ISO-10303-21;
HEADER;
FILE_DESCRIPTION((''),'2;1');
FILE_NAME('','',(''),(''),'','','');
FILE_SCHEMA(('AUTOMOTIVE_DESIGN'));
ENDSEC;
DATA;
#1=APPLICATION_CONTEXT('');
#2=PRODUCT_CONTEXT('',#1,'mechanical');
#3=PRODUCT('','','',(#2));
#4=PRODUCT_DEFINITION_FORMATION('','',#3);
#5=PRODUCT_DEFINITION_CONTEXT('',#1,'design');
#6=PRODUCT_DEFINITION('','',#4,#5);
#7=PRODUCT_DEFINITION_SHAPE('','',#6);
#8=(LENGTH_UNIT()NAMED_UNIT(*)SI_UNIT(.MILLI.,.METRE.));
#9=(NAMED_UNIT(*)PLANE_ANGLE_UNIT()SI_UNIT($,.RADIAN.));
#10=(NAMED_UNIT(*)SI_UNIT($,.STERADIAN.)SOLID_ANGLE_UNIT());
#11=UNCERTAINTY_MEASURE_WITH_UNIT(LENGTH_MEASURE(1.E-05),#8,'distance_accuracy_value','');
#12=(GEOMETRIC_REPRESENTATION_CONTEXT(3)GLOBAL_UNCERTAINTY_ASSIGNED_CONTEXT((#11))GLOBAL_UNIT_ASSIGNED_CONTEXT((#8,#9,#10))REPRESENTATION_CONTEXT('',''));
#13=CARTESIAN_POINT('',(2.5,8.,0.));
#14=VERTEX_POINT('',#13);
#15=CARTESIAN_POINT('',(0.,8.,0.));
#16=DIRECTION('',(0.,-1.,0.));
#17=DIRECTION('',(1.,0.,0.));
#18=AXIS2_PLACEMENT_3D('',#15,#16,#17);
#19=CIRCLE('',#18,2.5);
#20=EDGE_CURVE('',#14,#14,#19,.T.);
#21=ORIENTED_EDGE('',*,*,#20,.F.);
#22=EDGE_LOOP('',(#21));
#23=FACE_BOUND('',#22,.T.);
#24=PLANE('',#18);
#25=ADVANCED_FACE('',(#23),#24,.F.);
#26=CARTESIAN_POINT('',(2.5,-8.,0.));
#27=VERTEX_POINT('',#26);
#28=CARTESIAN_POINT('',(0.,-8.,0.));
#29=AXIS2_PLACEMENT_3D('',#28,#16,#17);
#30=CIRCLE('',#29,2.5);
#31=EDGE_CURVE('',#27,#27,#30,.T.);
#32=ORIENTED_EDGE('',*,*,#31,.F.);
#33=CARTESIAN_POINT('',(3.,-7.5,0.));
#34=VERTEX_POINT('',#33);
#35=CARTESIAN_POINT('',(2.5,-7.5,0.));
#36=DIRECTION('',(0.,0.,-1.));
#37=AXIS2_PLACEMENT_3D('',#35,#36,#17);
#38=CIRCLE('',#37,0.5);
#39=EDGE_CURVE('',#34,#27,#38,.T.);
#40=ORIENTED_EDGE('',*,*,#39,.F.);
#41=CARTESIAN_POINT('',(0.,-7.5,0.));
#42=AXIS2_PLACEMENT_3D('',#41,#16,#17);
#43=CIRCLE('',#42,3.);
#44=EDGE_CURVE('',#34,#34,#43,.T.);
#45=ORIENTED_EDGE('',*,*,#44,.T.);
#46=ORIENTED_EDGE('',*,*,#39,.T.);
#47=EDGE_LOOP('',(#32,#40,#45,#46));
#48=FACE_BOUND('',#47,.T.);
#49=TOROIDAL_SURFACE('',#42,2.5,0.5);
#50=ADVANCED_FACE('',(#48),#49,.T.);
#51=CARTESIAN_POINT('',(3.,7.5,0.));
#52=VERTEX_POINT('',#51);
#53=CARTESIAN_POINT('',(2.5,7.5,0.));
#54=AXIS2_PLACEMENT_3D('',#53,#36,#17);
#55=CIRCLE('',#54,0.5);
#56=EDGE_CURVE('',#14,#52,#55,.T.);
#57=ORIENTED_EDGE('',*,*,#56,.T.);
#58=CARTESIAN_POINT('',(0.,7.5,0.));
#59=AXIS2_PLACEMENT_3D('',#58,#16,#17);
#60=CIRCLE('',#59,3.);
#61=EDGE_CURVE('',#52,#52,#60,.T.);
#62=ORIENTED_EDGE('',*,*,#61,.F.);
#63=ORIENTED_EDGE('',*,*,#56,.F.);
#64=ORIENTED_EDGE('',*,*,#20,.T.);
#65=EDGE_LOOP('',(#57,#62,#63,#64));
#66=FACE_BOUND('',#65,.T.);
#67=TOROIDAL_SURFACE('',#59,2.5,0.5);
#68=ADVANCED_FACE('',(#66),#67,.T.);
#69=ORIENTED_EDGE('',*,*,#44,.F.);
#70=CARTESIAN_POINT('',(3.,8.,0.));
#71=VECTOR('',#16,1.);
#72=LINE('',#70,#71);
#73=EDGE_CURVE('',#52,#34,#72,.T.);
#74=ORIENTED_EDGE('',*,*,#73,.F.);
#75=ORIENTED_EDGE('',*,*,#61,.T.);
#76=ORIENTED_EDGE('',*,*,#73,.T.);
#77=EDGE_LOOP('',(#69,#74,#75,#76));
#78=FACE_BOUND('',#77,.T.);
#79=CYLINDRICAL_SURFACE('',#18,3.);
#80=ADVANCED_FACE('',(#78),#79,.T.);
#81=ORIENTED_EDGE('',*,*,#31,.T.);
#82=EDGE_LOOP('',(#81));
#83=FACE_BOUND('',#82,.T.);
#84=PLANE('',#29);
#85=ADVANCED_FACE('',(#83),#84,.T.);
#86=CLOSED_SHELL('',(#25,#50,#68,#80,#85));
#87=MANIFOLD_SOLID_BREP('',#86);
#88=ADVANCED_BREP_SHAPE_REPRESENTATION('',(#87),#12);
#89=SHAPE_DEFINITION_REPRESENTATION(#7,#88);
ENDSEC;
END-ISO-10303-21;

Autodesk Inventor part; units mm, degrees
ref_plane "YZ Plane" through (0, 0, 0) normal (1, 0, 0) x (0, 1, 0)
ref_plane "XZ Plane" through (0, 0, 0) normal (0, 1, 0) x (-1, 0, 0)
ref_plane "XY Plane" through (0, 0, 0) normal (0, 0, 1) x (1, 0, 0)
sketch "Эскиз1" plane through (0, 0, 0) normal (0, 0, 1) x (1, 0, 0)
  line L0 (0, 8) -> (0, -8)
  line L1 (0, 8) -> (3, 8)
  line L2 (3, 8) -> (3, -8)
  line L3 (3, -8) -> (0, -8)
  line L4 (0, -8) -> (0, 8)
  point P0 (0, 0)
  point P1 (0, 0)
  dimension "d0" = 16
  dimension "d1" = 6
revolve "Вращение1" add sketch "Эскиз1" angle 360 about axis through (0, 8, 0) along (0, -1, 0)
fillet "Сопряжение1" radius 0.5 2 edges at (-3, -8, 0) (-3, 8, 0)
properties part number "76. Штифт"
